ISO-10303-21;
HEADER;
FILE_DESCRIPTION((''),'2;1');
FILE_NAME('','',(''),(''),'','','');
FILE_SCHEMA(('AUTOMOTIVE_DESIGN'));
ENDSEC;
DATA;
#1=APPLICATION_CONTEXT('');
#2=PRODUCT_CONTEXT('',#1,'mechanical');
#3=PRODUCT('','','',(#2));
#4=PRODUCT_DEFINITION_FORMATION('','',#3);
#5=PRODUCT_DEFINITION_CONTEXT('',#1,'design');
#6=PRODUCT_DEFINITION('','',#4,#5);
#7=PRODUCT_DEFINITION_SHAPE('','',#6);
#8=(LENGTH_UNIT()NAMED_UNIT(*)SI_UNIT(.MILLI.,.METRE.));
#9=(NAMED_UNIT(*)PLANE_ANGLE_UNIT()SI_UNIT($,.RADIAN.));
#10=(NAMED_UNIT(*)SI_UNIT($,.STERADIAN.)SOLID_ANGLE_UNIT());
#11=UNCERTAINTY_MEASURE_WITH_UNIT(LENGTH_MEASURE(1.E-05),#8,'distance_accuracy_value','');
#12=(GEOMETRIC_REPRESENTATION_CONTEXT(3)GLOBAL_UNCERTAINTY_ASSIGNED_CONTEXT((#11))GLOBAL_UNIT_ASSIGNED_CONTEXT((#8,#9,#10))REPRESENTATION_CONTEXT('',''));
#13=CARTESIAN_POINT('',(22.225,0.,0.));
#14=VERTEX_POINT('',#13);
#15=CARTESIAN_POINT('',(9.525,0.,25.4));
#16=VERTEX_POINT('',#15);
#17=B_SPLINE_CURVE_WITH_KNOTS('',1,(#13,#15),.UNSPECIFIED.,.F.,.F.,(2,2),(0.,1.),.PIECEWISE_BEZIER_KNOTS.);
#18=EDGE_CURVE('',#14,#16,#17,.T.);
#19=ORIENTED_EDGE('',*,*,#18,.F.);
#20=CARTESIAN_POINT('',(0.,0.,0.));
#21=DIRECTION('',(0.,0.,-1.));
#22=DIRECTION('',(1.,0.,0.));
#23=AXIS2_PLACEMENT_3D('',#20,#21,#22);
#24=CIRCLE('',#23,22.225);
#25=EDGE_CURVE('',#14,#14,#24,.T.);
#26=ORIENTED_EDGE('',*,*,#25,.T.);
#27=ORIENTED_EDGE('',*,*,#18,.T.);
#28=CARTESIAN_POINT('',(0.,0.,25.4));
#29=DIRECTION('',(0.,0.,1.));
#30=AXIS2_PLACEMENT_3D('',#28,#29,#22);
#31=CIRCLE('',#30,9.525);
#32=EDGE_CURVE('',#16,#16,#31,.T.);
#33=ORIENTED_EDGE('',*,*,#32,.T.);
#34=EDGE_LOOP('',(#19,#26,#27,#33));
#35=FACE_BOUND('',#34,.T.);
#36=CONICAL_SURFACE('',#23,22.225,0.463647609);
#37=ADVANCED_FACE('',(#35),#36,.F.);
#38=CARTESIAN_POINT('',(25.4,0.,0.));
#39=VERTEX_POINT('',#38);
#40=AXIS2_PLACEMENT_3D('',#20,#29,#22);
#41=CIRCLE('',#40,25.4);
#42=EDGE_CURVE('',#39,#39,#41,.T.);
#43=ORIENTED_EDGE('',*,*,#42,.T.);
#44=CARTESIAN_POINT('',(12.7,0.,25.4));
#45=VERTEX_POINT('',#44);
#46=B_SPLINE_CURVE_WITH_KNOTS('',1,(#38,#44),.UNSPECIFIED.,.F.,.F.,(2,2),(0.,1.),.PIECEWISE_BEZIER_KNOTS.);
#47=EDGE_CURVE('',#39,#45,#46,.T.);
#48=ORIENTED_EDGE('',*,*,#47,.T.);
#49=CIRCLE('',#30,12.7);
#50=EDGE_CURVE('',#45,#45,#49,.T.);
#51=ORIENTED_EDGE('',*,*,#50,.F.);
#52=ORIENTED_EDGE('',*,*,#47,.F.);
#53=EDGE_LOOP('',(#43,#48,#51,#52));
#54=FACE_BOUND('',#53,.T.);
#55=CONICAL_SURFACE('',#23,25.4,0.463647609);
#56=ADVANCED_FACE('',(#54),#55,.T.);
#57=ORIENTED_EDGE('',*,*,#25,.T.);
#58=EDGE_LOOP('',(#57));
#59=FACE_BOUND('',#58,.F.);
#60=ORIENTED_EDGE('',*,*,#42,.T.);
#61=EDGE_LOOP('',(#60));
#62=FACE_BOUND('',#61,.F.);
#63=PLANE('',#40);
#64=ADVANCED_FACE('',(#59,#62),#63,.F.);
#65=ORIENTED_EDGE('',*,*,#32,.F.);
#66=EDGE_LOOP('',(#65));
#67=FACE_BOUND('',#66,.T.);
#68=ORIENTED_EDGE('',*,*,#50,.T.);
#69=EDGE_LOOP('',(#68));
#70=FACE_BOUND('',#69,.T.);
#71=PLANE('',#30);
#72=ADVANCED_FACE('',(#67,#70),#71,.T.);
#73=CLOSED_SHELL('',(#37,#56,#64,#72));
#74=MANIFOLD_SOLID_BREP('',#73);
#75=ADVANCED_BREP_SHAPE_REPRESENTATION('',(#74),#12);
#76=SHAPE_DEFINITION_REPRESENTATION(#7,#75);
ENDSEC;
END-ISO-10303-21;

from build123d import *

# Parameters (mm, degrees)
F2_R = 25.4
F1_R = 12.7
F5_R = 22.225
F4_R = 9.525


with BuildPart() as f3:
    # F2 (on Top) → F3 section 0
    with BuildSketch(Plane.XY):
        Circle(F2_R)
    # F1 (on offset) → F3 section 1
    with BuildSketch(Plane.XY.offset(25.4)):
        Circle(F1_R)
    loft()

    # F5 (on face) → F6 section 0
    with BuildSketch(Plane(origin=(0, 0, 0), x_dir=(1, 0, 0), z_dir=(0, 0, -1))):
        Circle(F5_R)
    # F4 (on face) → F6 section 1
    with BuildSketch(Plane.XY.offset(25.4)):
        Circle(F4_R)
    loft(mode=Mode.SUBTRACT)


solid = f3.part
